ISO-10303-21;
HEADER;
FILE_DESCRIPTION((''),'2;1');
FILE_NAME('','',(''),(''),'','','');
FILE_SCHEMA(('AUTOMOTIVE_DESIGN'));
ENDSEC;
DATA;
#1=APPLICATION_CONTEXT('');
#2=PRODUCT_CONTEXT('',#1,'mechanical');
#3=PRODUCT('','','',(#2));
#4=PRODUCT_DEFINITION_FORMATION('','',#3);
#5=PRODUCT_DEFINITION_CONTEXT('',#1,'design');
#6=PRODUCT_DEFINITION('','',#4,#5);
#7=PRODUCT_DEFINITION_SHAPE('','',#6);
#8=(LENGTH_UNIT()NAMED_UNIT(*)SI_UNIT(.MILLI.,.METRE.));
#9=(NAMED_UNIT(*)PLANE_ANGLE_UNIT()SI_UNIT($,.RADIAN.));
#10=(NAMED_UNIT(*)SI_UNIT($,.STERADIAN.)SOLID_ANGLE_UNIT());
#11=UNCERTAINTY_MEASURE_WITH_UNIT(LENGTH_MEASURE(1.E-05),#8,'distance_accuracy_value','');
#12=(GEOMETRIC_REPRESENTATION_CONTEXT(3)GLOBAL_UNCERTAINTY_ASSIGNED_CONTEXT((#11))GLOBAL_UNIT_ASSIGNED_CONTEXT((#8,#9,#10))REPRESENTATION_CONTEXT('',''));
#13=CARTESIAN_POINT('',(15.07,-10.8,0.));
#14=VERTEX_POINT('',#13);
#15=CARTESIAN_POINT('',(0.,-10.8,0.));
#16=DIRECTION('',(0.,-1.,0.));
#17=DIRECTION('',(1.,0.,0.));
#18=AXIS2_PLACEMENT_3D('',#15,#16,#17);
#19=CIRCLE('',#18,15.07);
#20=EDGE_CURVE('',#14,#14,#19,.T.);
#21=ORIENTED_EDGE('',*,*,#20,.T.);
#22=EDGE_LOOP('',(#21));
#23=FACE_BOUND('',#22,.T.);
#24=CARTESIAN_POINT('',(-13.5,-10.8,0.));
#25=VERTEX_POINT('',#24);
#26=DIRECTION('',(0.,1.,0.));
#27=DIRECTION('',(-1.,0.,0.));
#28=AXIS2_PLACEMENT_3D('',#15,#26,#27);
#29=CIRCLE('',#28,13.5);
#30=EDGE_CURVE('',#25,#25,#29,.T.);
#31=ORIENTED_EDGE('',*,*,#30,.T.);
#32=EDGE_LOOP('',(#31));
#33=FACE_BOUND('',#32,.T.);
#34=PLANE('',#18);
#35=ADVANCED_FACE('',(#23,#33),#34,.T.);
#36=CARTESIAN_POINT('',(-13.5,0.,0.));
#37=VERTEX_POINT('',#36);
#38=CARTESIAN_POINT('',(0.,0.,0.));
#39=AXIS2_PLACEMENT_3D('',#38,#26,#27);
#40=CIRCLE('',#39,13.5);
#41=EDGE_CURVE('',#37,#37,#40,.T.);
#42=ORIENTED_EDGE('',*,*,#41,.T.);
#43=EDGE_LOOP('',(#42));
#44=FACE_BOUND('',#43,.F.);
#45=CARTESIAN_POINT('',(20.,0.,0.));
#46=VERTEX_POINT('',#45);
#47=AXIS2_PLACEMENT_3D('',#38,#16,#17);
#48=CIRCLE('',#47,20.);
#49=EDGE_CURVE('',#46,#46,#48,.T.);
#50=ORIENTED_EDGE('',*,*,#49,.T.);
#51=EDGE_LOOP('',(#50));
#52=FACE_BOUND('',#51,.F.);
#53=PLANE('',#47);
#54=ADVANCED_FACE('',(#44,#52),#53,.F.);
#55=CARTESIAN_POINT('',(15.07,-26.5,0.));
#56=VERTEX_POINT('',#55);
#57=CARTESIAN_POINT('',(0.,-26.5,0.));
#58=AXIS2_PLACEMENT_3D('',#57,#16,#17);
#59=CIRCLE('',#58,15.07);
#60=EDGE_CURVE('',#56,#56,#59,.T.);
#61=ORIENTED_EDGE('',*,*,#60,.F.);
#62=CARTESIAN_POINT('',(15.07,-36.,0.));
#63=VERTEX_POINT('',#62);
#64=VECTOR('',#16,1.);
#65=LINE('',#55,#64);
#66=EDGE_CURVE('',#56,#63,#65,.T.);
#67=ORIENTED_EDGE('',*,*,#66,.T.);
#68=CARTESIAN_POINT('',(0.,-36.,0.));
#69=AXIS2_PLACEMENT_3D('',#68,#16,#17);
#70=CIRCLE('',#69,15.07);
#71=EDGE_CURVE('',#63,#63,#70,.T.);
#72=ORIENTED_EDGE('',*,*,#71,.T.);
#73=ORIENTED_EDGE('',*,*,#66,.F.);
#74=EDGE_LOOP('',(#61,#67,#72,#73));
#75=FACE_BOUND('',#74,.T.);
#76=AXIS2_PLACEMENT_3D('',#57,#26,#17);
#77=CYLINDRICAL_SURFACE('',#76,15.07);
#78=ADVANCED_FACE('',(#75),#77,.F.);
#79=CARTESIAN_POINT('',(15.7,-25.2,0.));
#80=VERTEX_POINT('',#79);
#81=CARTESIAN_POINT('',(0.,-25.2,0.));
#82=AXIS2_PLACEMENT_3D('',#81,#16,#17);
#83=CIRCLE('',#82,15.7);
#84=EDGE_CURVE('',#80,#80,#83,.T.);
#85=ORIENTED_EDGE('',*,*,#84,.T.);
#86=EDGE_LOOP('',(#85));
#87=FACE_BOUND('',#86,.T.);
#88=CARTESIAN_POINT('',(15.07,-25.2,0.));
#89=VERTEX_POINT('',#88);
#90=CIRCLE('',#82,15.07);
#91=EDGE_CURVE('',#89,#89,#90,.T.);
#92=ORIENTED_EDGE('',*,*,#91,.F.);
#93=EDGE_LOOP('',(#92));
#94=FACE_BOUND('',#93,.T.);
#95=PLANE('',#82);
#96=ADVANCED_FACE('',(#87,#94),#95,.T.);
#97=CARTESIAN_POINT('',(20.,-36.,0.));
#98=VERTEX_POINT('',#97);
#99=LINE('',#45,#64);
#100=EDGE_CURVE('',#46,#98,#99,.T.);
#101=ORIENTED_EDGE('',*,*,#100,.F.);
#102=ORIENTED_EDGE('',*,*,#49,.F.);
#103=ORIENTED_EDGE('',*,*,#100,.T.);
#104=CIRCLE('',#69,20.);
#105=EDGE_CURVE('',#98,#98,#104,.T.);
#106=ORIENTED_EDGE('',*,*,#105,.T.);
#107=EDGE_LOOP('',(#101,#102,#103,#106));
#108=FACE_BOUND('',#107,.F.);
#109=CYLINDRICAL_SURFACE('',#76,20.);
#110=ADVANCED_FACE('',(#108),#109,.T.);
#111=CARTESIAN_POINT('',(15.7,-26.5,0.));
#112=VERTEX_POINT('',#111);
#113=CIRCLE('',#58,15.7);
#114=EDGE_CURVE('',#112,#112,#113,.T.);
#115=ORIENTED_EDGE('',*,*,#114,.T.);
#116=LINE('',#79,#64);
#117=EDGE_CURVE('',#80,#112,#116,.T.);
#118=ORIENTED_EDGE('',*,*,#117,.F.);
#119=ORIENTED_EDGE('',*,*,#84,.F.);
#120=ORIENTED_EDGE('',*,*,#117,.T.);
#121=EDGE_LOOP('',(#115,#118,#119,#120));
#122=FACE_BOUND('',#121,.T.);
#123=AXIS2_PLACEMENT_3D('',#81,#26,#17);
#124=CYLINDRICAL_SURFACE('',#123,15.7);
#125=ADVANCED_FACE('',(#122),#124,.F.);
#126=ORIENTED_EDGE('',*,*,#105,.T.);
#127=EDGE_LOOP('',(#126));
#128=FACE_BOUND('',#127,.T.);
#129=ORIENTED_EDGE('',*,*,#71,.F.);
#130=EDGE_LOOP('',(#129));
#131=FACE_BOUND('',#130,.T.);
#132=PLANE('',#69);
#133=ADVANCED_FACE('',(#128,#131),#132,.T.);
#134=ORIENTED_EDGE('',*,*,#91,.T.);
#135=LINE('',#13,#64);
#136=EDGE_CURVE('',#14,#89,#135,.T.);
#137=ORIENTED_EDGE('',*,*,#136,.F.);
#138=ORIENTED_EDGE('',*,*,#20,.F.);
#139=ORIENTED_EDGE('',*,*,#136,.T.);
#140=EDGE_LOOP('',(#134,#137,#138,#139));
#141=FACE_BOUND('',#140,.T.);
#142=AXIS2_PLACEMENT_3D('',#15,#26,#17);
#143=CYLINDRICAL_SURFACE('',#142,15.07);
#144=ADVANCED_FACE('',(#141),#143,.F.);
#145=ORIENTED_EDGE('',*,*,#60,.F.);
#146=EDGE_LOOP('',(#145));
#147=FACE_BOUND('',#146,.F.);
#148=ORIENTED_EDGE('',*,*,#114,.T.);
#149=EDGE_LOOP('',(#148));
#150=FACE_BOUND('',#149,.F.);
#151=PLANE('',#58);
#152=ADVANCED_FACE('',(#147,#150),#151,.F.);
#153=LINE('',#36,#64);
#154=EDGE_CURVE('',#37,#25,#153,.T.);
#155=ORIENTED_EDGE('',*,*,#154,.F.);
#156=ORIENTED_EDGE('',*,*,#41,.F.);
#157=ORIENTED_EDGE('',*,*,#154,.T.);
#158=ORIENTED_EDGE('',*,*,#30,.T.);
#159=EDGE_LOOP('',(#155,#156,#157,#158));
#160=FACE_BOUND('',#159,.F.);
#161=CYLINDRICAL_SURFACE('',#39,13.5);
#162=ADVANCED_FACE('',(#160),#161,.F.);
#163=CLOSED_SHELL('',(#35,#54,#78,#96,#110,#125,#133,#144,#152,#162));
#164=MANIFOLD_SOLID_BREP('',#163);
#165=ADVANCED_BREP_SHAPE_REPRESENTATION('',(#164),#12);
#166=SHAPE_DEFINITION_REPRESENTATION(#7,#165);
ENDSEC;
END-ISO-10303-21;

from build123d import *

# Parameters (mm, degrees)
F0_R     = 20
F0_R_2   = 15.07
F1_DEPTH = 10.8
F2_R     = 13.5
F3_DEPTH = 10.8
F4_R     = 20
F4_R_2   = 15.07
F5_DEPTH = 14.4
F6_R     = 20
F6_R_2   = 15.7
F7_DEPTH = 1.3
F8_R     = 20
F8_R_2   = 15.7
F8_R_3   = 15.07
F9_DEPTH = 9.5


with BuildPart() as f1:
    # F0 (on Front) → F1 (new body)
    with BuildSketch(Plane.XZ):
        Circle(F0_R)
        Circle(F0_R_2, mode=Mode.SUBTRACT)
        Circle(F0_R_2)
    extrude(amount=F1_DEPTH)

    # F2 (on face) → F3 (cut)
    with BuildSketch(Plane(origin=(0, 0, 0), x_dir=(-1, 0, 0), z_dir=(0, 1, 0))):
        Circle(F2_R)
    extrude(amount=-F3_DEPTH, mode=Mode.SUBTRACT)

    # F4 (on face) → F5 (join)
    with BuildSketch(Plane.XZ.offset(10.8)):
        Circle(F4_R)
        Circle(F4_R_2, mode=Mode.SUBTRACT)
    extrude(amount=F5_DEPTH)

    # F6 (on face) → F7 (join)
    with BuildSketch(Plane.XZ.offset(25.2)):
        Circle(F6_R)
        Circle(F6_R_2, mode=Mode.SUBTRACT)
    extrude(amount=F7_DEPTH)

    # F8 (on face) → F9 (join)
    with BuildSketch(Plane.XZ.offset(26.5)):
        Circle(F8_R)
        Circle(F8_R_2, mode=Mode.SUBTRACT)
        Circle(F8_R_2)
        Circle(F8_R_3, mode=Mode.SUBTRACT)
    extrude(amount=F9_DEPTH)


solid = f1.part
